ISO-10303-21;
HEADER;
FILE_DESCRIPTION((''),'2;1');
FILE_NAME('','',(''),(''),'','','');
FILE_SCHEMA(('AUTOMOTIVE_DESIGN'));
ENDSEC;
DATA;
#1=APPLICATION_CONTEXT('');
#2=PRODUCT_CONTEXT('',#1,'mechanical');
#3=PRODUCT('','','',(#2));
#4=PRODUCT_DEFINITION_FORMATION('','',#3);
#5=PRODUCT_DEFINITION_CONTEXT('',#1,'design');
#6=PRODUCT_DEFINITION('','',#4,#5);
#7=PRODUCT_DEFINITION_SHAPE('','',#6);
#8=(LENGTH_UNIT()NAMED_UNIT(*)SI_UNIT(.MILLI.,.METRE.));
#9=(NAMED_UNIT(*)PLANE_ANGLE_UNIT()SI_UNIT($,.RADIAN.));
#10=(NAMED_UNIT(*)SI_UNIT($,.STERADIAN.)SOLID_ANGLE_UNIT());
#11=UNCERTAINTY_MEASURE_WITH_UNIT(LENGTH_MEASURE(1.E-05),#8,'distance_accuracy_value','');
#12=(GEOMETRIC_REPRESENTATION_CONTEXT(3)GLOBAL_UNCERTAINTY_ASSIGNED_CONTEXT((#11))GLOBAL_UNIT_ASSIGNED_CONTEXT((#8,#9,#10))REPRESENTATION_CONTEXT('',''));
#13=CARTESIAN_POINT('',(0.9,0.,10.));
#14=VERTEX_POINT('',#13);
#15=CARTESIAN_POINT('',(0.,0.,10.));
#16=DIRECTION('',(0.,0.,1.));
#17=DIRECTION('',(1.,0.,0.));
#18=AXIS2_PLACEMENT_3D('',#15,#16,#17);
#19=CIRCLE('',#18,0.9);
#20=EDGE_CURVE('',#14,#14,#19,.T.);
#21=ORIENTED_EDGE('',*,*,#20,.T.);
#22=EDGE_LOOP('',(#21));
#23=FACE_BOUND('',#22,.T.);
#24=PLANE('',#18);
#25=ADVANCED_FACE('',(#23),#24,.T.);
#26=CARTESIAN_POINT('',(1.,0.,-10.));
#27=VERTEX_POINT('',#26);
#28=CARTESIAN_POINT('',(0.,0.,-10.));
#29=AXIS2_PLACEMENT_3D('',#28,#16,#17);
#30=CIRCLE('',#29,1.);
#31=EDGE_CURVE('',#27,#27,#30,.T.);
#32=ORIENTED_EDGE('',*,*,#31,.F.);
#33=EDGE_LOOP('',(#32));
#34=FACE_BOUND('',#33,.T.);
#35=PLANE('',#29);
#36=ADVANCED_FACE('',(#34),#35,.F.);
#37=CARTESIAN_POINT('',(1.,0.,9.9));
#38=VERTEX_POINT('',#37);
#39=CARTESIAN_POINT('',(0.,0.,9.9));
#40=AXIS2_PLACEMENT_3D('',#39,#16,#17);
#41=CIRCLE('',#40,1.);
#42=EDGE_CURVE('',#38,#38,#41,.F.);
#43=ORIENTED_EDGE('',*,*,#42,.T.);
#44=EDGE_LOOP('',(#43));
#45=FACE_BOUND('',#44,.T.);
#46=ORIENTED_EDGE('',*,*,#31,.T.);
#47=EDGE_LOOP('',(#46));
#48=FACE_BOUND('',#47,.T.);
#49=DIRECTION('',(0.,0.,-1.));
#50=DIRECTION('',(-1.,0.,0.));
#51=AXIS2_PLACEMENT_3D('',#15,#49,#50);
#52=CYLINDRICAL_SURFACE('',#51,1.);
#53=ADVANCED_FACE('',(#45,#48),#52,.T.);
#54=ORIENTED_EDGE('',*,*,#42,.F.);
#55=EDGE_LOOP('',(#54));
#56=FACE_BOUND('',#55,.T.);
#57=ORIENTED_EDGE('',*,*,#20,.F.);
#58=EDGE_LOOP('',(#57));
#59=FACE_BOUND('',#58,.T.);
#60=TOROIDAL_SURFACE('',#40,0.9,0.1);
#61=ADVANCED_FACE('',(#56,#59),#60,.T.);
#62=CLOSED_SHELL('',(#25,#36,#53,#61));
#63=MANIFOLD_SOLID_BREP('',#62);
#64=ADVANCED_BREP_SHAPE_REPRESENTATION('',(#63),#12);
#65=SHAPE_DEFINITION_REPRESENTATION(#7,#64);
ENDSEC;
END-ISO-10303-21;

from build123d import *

# Parameters (mm, degrees)
SKETCH1_R           = 1
BOSS_EXTRUDE1_DEPTH = 10
FILLET1_R           = 0.1


with BuildPart() as part:
    # Sketch1 → Boss-Extrude1 (new, symmetric)
    with BuildSketch(Plane.XY):
        Circle(SKETCH1_R)
    extrude(amount=BOSS_EXTRUDE1_DEPTH, both=True)

    # Fillet1
    fillet1_edges = [part.edges().sort_by_distance(p)[0] for p in [
        (-1, 0, 10),
    ]]
    fillet(fillet1_edges, radius=FILLET1_R)


solid = part.part
